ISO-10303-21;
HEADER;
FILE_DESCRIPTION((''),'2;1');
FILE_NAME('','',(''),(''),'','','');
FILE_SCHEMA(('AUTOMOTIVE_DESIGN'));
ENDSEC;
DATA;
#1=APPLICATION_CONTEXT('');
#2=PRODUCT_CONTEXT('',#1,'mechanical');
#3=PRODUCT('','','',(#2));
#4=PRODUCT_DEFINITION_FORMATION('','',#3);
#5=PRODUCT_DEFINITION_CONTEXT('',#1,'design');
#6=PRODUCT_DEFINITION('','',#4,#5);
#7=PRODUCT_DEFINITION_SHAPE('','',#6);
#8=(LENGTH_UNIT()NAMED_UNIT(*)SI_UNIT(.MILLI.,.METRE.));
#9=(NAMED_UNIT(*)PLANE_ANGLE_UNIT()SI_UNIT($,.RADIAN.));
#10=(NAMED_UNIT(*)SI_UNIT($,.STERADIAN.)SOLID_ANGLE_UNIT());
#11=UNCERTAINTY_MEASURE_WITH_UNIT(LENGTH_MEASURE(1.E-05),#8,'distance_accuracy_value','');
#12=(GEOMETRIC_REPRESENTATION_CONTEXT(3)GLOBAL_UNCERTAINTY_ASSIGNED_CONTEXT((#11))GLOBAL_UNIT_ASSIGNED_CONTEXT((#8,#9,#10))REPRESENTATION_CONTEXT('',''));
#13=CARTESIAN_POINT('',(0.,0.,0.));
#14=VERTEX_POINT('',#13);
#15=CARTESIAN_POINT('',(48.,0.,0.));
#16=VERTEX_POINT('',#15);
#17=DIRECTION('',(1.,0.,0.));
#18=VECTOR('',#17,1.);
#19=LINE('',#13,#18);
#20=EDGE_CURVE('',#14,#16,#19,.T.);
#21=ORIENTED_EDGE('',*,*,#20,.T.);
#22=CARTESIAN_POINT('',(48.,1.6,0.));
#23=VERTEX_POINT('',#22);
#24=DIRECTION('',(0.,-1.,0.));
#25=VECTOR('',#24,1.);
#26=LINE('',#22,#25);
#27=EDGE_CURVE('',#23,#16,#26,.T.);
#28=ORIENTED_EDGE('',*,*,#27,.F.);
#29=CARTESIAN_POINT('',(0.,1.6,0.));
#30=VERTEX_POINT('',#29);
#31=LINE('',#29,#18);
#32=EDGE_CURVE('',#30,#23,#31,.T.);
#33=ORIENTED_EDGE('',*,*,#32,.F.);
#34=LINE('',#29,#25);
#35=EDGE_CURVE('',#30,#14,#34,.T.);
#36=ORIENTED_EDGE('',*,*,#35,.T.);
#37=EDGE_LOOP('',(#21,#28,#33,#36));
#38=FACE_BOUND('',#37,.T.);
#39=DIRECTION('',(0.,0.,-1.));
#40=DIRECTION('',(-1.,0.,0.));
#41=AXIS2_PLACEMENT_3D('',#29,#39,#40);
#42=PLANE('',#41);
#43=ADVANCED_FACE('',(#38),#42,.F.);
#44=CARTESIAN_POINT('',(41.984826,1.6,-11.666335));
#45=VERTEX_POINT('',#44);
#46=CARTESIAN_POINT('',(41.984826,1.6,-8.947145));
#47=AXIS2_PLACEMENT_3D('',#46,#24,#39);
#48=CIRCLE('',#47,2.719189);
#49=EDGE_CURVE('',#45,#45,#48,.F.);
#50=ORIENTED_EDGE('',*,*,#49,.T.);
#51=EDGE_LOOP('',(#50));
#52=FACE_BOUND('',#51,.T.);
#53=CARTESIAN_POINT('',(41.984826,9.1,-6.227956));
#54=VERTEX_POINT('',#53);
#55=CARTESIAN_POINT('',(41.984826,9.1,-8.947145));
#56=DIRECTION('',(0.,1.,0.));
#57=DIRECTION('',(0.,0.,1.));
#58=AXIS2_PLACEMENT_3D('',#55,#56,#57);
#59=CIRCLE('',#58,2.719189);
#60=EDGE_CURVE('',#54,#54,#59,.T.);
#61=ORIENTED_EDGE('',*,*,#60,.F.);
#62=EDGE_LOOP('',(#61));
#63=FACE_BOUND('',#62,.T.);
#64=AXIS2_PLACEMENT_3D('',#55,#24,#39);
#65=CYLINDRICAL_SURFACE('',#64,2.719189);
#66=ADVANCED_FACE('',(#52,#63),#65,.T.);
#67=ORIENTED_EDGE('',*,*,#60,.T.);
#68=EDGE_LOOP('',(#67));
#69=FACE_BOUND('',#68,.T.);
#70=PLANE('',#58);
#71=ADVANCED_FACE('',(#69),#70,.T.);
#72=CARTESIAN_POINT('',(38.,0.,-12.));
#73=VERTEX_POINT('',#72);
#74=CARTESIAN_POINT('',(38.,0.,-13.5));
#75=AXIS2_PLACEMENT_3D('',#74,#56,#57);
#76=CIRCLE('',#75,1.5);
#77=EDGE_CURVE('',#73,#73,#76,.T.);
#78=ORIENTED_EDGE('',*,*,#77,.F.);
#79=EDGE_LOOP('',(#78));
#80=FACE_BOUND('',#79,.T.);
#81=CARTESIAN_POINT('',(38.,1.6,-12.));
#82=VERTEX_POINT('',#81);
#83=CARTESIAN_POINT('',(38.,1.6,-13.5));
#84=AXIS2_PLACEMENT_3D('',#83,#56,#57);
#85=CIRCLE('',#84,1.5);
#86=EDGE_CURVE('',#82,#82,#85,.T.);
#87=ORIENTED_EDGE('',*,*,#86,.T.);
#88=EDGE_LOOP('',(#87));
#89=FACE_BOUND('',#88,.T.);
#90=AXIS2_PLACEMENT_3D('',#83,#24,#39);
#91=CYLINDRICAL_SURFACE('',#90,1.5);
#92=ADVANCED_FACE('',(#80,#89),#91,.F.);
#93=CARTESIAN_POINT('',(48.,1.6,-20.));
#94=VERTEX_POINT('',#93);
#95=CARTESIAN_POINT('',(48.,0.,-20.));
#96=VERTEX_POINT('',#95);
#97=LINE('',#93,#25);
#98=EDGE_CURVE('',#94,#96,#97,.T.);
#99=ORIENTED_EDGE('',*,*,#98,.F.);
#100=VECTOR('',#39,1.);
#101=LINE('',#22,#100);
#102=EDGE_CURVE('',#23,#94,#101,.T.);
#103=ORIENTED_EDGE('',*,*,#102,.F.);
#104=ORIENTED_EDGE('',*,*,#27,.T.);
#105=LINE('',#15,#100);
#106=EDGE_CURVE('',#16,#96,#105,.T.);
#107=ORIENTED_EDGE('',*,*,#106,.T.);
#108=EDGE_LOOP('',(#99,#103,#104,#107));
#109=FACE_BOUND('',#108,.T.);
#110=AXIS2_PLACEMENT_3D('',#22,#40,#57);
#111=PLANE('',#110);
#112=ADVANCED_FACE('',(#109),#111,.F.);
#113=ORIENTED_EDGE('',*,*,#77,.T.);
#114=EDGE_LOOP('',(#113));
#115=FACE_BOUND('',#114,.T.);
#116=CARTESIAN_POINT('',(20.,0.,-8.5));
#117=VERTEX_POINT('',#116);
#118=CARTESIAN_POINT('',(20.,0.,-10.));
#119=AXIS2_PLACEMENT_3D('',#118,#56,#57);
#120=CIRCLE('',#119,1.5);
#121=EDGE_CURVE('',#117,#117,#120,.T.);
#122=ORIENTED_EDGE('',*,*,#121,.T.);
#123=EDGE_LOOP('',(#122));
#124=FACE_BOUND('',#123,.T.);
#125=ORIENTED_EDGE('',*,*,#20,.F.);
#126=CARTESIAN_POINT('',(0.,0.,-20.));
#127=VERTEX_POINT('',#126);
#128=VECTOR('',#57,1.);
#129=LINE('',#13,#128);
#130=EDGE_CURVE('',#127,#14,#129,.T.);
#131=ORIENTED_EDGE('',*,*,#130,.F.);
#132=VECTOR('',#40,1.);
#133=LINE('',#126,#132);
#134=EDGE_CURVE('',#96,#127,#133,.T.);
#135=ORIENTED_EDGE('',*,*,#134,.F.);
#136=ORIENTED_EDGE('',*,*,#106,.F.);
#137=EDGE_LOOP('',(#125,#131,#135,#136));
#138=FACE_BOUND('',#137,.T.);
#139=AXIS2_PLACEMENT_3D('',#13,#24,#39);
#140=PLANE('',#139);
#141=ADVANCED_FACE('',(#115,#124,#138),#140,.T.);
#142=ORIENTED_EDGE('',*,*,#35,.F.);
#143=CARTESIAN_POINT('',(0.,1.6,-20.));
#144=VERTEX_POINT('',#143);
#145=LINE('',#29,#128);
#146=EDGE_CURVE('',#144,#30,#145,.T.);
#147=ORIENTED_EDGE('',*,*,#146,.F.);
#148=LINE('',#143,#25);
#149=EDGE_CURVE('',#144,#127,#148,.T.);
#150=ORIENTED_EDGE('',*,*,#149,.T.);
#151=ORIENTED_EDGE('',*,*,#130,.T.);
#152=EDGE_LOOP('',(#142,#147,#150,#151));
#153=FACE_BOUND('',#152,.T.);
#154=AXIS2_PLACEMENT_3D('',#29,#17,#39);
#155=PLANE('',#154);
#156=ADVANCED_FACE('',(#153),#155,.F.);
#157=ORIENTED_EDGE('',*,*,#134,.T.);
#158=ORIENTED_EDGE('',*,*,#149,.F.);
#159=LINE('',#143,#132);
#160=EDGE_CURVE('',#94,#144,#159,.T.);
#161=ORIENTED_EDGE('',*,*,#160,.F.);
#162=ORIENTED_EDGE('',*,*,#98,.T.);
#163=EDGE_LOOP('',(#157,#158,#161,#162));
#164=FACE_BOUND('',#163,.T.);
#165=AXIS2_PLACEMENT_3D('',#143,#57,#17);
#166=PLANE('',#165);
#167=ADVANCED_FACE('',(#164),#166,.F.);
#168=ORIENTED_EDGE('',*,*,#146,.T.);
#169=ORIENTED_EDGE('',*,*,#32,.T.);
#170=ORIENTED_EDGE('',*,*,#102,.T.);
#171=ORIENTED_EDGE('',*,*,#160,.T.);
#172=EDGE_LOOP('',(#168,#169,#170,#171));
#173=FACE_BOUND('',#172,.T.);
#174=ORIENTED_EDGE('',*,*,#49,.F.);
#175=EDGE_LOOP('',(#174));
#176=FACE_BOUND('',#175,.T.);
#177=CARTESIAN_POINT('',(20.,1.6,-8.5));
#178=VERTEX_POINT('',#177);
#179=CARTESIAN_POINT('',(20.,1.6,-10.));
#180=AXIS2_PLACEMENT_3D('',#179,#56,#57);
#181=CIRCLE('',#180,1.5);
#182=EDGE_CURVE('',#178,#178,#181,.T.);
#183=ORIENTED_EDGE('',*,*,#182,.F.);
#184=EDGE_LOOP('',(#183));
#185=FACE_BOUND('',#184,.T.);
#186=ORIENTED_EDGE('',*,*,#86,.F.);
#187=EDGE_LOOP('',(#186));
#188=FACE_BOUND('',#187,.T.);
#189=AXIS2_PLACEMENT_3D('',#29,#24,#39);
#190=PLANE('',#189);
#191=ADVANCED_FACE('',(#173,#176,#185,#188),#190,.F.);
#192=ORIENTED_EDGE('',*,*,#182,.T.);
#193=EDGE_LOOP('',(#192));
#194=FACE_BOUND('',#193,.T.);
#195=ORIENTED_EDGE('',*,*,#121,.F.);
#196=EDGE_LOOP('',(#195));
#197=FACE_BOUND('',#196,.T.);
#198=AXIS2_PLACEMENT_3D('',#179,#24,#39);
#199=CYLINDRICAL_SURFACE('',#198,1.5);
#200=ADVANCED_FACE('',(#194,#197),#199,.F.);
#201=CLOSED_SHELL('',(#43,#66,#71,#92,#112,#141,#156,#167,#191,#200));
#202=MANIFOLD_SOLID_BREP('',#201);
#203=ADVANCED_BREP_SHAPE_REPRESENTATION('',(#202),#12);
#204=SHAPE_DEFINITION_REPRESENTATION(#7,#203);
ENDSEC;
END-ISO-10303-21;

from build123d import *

# Parameters (mm, degrees)
SKETCH1_W           = 48
SKETCH1_H           = 20
SKETCH1_R           = 1.5
BOSS_EXTRUDE1_DEPTH = 1.6
SKETCH2_R           = 2.719189152
BOSS_EXTRUDE2_DEPTH = 7.5


with BuildPart() as part:
    # Sketch1 → Boss-Extrude1 (new body)
    with BuildSketch(Plane(origin=(0, 0, 0), x_dir=(1, 0, 0), z_dir=(0, 1, 0))):
        with Locations((24, 10)):
            Rectangle(SKETCH1_W, SKETCH1_H)
        with Locations(Location((20, 10, 0), (0, 0, 270))):
            Circle(SKETCH1_R, mode=Mode.SUBTRACT)
        with Locations(Location((38, 13.5, 0), (0, 0, 270))):
            Circle(SKETCH1_R, mode=Mode.SUBTRACT)
    extrude(amount=BOSS_EXTRUDE1_DEPTH)

    # Sketch2 → Boss-Extrude2 (add)
    with BuildSketch(Plane(origin=(0, 1.6, 0), x_dir=(1, 0, 0), z_dir=(0, 1, 0))):
        with Locations(Location((41.98482637, 8.947145481, 0), (0, 0, 90))):
            Circle(SKETCH2_R)
    extrude(amount=BOSS_EXTRUDE2_DEPTH)


solid = part.part
